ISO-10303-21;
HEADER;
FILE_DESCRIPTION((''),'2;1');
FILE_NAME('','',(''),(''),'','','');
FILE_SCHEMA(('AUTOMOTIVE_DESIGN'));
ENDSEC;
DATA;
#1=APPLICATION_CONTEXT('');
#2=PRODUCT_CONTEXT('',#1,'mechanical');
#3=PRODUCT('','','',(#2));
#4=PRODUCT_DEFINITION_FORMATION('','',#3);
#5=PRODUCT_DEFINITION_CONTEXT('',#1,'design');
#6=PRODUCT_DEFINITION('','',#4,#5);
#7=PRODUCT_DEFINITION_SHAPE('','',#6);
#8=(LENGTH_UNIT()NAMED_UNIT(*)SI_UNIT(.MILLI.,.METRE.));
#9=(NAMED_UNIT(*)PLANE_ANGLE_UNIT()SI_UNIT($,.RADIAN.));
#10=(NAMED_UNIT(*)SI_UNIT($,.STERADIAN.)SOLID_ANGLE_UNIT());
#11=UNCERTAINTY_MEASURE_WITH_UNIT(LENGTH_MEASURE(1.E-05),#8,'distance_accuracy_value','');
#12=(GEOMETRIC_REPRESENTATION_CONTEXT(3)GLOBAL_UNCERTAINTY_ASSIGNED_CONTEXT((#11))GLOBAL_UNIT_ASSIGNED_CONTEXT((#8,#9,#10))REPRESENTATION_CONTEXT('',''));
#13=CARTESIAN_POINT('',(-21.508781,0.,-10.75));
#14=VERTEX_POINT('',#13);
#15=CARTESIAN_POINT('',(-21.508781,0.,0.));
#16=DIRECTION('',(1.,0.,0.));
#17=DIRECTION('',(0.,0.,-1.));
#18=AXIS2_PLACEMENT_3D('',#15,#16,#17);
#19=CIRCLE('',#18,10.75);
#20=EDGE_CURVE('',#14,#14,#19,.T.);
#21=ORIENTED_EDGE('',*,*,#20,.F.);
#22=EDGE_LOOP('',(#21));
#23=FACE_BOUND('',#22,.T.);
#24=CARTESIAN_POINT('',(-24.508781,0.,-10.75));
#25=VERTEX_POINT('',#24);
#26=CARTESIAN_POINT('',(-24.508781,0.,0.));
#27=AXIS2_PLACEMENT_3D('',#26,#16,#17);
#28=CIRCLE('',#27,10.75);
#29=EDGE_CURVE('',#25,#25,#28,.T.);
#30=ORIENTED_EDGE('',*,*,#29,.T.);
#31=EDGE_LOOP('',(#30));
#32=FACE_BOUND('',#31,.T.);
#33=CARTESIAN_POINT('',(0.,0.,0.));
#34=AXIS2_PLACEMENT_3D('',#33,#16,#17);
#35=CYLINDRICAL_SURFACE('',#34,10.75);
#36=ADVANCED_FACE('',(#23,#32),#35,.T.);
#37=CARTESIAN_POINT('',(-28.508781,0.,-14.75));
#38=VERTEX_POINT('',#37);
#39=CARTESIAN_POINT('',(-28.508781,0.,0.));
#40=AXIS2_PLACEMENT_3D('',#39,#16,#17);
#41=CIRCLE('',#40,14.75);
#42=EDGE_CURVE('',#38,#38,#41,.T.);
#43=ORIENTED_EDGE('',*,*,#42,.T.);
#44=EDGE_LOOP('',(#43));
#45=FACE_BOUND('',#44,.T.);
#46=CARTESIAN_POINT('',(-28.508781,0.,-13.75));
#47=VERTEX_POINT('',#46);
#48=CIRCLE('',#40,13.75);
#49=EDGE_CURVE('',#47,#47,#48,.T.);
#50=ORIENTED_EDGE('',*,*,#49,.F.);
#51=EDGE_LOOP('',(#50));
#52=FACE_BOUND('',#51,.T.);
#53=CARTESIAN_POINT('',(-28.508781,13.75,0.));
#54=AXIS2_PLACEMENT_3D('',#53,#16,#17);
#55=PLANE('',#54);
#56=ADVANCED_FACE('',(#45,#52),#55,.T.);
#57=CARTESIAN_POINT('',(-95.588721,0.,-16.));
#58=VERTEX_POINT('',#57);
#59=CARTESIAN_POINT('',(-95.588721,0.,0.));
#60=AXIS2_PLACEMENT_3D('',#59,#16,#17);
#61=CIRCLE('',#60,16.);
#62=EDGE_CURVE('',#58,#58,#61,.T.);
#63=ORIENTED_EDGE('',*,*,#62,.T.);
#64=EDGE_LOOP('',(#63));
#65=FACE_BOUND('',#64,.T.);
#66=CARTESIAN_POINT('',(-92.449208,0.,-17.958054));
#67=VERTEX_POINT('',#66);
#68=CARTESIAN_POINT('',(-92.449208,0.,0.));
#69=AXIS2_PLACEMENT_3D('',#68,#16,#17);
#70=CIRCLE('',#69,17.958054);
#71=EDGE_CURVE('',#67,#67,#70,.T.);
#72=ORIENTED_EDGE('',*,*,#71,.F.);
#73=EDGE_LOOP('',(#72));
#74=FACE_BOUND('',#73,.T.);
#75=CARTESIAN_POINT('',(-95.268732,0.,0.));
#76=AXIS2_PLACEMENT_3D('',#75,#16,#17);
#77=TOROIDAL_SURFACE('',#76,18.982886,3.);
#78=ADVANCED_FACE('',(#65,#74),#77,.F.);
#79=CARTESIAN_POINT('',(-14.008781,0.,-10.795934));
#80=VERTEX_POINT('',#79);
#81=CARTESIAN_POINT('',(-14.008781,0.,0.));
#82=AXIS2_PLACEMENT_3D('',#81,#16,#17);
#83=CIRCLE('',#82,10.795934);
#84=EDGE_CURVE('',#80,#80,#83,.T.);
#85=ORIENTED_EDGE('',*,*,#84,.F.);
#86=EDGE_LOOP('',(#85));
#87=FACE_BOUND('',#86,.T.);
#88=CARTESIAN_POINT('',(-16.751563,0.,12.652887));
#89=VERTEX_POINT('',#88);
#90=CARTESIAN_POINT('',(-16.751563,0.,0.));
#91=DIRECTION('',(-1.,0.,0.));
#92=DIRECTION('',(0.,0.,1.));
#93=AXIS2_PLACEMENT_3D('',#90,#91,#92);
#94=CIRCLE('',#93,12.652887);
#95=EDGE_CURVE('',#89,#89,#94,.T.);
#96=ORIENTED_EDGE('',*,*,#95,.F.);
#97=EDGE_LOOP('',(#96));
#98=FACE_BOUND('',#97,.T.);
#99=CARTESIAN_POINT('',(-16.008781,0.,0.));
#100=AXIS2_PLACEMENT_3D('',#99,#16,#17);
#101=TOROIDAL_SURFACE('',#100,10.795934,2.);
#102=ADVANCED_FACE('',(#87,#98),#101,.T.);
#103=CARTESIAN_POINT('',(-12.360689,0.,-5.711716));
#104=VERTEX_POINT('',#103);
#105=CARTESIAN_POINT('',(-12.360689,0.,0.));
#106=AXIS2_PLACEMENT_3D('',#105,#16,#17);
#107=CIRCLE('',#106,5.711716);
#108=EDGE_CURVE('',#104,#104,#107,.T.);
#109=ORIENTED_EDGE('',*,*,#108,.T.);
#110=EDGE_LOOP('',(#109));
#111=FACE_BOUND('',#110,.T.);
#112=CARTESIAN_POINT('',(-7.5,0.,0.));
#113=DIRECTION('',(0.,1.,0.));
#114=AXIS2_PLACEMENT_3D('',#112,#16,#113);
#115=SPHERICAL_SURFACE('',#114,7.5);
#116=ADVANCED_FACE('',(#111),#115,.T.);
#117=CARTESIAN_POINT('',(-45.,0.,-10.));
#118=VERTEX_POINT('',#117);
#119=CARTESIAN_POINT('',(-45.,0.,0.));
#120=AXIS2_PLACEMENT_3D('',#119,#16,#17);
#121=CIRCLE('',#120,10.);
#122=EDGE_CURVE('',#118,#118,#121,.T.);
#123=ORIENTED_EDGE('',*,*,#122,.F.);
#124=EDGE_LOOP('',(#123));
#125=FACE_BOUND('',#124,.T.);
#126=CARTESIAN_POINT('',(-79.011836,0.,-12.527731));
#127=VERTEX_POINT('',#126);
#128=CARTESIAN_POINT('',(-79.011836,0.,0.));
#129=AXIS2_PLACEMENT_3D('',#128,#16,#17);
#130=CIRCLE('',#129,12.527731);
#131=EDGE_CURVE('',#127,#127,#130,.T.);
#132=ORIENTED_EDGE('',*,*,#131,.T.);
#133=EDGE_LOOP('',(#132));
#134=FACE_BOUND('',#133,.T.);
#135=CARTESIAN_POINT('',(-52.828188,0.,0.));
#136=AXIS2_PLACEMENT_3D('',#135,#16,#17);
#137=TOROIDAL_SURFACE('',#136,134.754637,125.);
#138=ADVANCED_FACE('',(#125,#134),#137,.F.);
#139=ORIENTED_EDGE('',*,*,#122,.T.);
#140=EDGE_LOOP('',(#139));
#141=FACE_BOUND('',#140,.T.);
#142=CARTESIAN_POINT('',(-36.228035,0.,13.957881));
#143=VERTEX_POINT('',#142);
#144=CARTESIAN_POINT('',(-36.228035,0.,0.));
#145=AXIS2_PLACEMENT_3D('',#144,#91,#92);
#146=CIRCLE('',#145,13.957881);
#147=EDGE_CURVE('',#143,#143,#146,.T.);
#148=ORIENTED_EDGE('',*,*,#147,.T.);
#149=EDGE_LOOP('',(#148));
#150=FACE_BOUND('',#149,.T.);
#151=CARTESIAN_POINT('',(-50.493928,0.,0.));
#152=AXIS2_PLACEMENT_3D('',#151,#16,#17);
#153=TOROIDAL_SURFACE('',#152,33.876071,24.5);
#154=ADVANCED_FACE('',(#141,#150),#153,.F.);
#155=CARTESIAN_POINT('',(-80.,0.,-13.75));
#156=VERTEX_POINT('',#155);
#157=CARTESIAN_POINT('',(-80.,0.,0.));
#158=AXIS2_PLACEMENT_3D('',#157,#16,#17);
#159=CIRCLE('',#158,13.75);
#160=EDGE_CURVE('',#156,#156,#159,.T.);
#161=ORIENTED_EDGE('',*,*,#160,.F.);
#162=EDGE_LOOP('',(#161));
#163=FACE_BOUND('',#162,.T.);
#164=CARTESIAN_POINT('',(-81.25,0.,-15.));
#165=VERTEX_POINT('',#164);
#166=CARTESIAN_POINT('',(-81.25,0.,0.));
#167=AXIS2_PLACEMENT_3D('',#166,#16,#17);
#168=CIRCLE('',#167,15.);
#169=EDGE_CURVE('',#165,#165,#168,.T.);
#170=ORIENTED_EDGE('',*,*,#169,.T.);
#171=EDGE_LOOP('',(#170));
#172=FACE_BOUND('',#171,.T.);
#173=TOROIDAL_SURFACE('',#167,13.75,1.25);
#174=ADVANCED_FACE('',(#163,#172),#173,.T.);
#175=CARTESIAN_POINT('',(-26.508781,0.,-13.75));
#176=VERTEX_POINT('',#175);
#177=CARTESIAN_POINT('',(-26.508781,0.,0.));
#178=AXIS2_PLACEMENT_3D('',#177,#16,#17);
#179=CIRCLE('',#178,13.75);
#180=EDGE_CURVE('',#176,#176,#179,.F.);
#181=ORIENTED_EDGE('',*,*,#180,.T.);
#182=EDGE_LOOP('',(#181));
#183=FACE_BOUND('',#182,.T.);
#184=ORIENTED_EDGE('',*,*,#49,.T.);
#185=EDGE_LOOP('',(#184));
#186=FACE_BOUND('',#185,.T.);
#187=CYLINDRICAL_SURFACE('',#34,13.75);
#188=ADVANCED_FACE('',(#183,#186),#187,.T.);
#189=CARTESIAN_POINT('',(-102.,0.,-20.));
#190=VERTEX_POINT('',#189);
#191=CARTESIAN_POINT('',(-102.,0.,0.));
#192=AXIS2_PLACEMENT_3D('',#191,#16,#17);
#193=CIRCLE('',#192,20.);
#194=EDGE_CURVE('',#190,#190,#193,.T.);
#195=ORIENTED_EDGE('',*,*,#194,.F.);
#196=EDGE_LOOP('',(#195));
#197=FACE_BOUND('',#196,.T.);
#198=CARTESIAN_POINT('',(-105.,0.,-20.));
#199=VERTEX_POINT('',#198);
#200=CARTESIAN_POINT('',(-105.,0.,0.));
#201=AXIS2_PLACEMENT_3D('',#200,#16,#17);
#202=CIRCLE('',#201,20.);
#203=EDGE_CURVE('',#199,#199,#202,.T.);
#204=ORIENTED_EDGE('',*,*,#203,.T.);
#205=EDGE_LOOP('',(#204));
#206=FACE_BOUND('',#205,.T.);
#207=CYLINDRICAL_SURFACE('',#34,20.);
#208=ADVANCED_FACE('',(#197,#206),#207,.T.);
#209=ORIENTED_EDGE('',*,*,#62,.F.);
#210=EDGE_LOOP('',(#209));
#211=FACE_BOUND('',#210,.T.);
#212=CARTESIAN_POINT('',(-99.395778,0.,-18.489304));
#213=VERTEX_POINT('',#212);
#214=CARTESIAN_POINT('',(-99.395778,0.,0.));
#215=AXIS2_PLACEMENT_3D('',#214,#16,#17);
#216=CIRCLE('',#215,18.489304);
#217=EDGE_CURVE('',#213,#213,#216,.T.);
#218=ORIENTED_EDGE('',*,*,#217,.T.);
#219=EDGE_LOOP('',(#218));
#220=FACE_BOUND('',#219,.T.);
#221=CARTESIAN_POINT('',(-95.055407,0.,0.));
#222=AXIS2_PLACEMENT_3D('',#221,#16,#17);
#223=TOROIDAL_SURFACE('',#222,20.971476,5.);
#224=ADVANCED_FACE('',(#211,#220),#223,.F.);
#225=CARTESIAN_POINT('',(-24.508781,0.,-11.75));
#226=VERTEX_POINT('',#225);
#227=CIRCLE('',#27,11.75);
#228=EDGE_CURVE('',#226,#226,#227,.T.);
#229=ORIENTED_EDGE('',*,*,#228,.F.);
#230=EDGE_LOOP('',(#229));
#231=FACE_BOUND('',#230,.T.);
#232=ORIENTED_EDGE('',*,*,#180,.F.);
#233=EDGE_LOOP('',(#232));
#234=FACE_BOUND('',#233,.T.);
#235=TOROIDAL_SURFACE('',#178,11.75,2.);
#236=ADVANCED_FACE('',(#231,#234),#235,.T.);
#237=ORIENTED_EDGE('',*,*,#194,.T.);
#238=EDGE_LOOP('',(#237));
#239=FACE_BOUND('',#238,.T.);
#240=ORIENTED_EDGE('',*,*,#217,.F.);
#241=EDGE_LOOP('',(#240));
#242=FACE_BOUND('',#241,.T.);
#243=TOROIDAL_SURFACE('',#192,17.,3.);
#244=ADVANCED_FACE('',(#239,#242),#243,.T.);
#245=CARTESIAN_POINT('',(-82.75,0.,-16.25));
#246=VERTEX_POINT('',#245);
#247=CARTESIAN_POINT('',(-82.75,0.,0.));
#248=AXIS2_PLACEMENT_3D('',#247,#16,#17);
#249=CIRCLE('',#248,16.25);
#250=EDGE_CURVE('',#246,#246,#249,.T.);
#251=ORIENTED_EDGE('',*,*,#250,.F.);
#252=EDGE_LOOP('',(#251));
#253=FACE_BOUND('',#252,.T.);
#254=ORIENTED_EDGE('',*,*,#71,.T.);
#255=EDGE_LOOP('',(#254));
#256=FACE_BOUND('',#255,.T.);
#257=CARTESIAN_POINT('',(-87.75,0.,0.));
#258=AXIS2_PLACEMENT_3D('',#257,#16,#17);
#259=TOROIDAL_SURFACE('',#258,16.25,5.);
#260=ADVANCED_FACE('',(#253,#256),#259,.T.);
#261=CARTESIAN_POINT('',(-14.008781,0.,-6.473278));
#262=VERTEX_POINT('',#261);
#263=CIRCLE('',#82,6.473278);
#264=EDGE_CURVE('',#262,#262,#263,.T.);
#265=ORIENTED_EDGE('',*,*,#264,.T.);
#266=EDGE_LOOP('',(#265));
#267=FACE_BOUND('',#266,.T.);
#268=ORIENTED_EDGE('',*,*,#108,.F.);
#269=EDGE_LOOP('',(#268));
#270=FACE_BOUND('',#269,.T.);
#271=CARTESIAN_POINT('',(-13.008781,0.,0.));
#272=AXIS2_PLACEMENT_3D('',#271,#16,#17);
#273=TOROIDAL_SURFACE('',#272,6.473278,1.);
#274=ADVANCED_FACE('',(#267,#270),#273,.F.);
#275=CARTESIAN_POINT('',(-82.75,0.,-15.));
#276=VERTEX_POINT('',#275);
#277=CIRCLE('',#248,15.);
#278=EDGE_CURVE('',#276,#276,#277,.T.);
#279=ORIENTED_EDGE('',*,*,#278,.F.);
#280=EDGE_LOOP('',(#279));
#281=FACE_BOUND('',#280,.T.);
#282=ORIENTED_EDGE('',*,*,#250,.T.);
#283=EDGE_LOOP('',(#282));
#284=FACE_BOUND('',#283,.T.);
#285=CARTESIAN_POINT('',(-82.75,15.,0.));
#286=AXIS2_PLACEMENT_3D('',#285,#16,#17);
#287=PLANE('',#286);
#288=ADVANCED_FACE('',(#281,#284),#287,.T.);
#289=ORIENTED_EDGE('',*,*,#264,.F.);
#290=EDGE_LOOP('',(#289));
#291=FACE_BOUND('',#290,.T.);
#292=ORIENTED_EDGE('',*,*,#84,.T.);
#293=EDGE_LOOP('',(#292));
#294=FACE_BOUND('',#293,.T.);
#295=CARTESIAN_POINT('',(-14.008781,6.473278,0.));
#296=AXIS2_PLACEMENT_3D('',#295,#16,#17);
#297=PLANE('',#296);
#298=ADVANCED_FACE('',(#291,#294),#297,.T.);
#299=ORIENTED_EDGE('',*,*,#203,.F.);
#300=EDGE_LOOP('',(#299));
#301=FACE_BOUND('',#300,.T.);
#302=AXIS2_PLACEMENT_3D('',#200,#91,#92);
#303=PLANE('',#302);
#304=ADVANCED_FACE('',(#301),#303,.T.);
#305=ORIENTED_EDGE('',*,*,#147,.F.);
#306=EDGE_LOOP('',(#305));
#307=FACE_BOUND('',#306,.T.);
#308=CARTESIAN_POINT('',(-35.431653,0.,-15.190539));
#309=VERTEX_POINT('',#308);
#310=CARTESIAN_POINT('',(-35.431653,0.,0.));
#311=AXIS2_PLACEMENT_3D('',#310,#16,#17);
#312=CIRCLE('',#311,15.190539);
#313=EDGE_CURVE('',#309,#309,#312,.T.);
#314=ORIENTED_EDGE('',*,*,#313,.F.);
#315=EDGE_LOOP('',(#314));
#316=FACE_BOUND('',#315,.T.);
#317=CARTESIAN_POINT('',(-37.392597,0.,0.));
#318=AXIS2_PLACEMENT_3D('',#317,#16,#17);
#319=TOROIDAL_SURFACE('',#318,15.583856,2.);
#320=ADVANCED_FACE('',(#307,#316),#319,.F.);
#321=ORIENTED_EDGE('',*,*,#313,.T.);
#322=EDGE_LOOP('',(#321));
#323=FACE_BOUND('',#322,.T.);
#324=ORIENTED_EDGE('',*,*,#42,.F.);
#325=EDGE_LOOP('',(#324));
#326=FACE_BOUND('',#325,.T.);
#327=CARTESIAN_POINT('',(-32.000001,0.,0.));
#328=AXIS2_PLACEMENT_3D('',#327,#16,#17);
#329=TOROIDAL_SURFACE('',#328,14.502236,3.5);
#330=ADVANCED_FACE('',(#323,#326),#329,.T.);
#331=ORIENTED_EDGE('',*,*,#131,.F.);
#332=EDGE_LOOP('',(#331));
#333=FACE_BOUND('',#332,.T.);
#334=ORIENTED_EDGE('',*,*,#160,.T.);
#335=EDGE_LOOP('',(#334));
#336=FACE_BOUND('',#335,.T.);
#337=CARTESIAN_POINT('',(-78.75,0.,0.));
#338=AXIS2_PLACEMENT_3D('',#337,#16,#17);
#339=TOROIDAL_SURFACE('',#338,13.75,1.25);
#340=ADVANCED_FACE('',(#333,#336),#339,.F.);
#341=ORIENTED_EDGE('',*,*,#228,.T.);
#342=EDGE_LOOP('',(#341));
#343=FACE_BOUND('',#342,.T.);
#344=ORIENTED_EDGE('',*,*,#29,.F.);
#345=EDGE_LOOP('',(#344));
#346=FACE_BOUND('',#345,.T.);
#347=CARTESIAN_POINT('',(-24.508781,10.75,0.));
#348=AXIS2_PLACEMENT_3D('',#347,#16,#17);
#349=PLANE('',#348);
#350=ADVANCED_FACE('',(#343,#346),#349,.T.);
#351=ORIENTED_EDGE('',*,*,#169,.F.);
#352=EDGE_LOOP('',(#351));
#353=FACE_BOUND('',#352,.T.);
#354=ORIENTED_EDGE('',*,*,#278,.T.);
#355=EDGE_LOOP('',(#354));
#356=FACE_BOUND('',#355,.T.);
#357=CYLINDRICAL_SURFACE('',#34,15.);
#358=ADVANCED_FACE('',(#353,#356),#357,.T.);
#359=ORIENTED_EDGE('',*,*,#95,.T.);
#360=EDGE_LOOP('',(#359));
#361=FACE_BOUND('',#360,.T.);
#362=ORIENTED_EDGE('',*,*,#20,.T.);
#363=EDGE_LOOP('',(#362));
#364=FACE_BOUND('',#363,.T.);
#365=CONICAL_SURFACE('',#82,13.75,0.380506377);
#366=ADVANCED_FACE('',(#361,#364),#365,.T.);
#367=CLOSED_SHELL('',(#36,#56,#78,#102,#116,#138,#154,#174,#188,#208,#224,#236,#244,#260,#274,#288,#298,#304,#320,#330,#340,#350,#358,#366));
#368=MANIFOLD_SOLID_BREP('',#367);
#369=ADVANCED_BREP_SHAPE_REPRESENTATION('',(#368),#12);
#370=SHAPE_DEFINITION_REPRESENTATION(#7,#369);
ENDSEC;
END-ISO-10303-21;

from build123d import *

# Parameters (mm, degrees)
FILLET_1_R = 2


with BuildPart() as part:
    # 草圖1 → 旋轉1 (revolve)
    with BuildSketch(Plane.XY):
        with BuildLine():
            Line((-14.008781327, 6.473278017), (-14.008781327, 13.75))
            Line((-14.008781327, 13.75), (-21.508781327, 10.75))
            Line((-21.508781327, 10.75), (-24.508781327, 10.75))
            Line((-24.508781327, 10.75), (-24.508781327, 13.75))
            Line((-24.508781327, 13.75), (-28.508781327, 13.75))
            Line((-28.508781327, 13.75), (-28.508781327, 14.75))
            ThreePointArc((-28.508781327, 14.75), (-32.125077777, 18), (-35.5, 14.5))
            ThreePointArc((-35.5, 14.5), (-40.005812785, 11.734493658), (-45, 10))
            ThreePointArc((-45, 10), (-62.092533005, 10.09842212), (-79.01183648, 12.527730939))
            ThreePointArc((-79.01183648, 12.527730939), (-79.722058533, 12.964123287), (-80, 13.749999986))
            ThreePointArc((-80, 13.749999986), (-80.366116517, 14.633883442), (-81.249999967, 15))
            Line((-81.249999967, 15), (-82.749999967, 15))
            Line((-82.749999967, 15), (-82.749999967, 16.25))
            ThreePointArc((-82.749999967, 16.25), (-86.882831697, 21.174227776), (-92.449207629, 17.958053628))
            ThreePointArc((-92.449207629, 17.958053628), (-93.681151081, 16.437382693), (-95.588720523, 16))
            ThreePointArc((-95.588720523, 16), (-97.791710555, 16.786665495), (-99.39577759, 18.489303625))
            ThreePointArc((-99.39577759, 18.489303625), (-100.494661353, 19.594986564), (-102, 20))
            Line((-102, 20), (-105, 20))
            Line((-105, 20), (-105, 0))
            Line((-105, 0), (0, 0))
            ThreePointArc((0, 0), (-4.353984309, 6.808273296), (-12.360689406, 5.711715898))
            ThreePointArc((-12.360689406, 5.711715898), (-13.428250086, 5.565508245), (-14.008781327, 6.473278017))
        make_face()
    revolve(axis=Axis((0, 0, 0), (-1, 0, 0)))

    # 草圖1<3> → 旋轉3 (revolve)
    with BuildSketch(Plane.XY):
        with BuildLine():
            Line((-14.008781327, 6.473278017), (-14.008781327, 13.75))
            Line((-14.008781327, 13.75), (-21.508781327, 10.75))
            Line((-21.508781327, 10.75), (-24.508781327, 10.75))
            Line((-24.508781327, 10.75), (-24.508781327, 13.75))
            Line((-24.508781327, 13.75), (-28.508781327, 13.75))
            Line((-28.508781327, 13.75), (-28.508781327, 14.75))
            ThreePointArc((-28.508781327, 14.75), (-32.125077777, 18), (-35.5, 14.5))
            ThreePointArc((-35.5, 14.5), (-40.005812785, 11.734493658), (-45, 10))
            ThreePointArc((-45, 10), (-62.092533005, 10.09842212), (-79.01183648, 12.527730939))
            ThreePointArc((-79.01183648, 12.527730939), (-79.722058533, 12.964123287), (-80, 13.749999986))
            ThreePointArc((-80, 13.749999986), (-80.366116517, 14.633883442), (-81.249999967, 15))
            Line((-81.249999967, 15), (-82.749999967, 15))
            Line((-82.749999967, 15), (-82.749999967, 16.25))
            ThreePointArc((-82.749999967, 16.25), (-86.882831697, 21.174227776), (-92.449207629, 17.958053628))
            ThreePointArc((-92.449207629, 17.958053628), (-93.681151081, 16.437382693), (-95.588720523, 16))
            ThreePointArc((-95.588720523, 16), (-97.791710555, 16.786665495), (-99.39577759, 18.489303625))
            ThreePointArc((-99.39577759, 18.489303625), (-100.494661353, 19.594986564), (-102, 20))
            Line((-102, 20), (-105, 20))
            Line((-105, 20), (-105, 0))
            Line((-105, 0), (0, 0))
            ThreePointArc((0, 0), (-4.353984309, 6.808273296), (-12.360689406, 5.711715898))
            ThreePointArc((-12.360689406, 5.711715898), (-13.428250086, 5.565508245), (-14.008781327, 6.473278017))
        make_face()
    revolve(axis=Axis((0, 0, 0), (-1, 0, 0)))

    # 圓角1
    fillet_1_edges = [part.edges().sort_by_distance(p)[0] for p in [
        (-24.508781327, -13.75, 0),
        (-14.008781327, -13.75, 0),
        (-35.5, -14.5, 0),
    ]]
    fillet(fillet_1_edges, radius=FILLET_1_R)


solid = part.part
